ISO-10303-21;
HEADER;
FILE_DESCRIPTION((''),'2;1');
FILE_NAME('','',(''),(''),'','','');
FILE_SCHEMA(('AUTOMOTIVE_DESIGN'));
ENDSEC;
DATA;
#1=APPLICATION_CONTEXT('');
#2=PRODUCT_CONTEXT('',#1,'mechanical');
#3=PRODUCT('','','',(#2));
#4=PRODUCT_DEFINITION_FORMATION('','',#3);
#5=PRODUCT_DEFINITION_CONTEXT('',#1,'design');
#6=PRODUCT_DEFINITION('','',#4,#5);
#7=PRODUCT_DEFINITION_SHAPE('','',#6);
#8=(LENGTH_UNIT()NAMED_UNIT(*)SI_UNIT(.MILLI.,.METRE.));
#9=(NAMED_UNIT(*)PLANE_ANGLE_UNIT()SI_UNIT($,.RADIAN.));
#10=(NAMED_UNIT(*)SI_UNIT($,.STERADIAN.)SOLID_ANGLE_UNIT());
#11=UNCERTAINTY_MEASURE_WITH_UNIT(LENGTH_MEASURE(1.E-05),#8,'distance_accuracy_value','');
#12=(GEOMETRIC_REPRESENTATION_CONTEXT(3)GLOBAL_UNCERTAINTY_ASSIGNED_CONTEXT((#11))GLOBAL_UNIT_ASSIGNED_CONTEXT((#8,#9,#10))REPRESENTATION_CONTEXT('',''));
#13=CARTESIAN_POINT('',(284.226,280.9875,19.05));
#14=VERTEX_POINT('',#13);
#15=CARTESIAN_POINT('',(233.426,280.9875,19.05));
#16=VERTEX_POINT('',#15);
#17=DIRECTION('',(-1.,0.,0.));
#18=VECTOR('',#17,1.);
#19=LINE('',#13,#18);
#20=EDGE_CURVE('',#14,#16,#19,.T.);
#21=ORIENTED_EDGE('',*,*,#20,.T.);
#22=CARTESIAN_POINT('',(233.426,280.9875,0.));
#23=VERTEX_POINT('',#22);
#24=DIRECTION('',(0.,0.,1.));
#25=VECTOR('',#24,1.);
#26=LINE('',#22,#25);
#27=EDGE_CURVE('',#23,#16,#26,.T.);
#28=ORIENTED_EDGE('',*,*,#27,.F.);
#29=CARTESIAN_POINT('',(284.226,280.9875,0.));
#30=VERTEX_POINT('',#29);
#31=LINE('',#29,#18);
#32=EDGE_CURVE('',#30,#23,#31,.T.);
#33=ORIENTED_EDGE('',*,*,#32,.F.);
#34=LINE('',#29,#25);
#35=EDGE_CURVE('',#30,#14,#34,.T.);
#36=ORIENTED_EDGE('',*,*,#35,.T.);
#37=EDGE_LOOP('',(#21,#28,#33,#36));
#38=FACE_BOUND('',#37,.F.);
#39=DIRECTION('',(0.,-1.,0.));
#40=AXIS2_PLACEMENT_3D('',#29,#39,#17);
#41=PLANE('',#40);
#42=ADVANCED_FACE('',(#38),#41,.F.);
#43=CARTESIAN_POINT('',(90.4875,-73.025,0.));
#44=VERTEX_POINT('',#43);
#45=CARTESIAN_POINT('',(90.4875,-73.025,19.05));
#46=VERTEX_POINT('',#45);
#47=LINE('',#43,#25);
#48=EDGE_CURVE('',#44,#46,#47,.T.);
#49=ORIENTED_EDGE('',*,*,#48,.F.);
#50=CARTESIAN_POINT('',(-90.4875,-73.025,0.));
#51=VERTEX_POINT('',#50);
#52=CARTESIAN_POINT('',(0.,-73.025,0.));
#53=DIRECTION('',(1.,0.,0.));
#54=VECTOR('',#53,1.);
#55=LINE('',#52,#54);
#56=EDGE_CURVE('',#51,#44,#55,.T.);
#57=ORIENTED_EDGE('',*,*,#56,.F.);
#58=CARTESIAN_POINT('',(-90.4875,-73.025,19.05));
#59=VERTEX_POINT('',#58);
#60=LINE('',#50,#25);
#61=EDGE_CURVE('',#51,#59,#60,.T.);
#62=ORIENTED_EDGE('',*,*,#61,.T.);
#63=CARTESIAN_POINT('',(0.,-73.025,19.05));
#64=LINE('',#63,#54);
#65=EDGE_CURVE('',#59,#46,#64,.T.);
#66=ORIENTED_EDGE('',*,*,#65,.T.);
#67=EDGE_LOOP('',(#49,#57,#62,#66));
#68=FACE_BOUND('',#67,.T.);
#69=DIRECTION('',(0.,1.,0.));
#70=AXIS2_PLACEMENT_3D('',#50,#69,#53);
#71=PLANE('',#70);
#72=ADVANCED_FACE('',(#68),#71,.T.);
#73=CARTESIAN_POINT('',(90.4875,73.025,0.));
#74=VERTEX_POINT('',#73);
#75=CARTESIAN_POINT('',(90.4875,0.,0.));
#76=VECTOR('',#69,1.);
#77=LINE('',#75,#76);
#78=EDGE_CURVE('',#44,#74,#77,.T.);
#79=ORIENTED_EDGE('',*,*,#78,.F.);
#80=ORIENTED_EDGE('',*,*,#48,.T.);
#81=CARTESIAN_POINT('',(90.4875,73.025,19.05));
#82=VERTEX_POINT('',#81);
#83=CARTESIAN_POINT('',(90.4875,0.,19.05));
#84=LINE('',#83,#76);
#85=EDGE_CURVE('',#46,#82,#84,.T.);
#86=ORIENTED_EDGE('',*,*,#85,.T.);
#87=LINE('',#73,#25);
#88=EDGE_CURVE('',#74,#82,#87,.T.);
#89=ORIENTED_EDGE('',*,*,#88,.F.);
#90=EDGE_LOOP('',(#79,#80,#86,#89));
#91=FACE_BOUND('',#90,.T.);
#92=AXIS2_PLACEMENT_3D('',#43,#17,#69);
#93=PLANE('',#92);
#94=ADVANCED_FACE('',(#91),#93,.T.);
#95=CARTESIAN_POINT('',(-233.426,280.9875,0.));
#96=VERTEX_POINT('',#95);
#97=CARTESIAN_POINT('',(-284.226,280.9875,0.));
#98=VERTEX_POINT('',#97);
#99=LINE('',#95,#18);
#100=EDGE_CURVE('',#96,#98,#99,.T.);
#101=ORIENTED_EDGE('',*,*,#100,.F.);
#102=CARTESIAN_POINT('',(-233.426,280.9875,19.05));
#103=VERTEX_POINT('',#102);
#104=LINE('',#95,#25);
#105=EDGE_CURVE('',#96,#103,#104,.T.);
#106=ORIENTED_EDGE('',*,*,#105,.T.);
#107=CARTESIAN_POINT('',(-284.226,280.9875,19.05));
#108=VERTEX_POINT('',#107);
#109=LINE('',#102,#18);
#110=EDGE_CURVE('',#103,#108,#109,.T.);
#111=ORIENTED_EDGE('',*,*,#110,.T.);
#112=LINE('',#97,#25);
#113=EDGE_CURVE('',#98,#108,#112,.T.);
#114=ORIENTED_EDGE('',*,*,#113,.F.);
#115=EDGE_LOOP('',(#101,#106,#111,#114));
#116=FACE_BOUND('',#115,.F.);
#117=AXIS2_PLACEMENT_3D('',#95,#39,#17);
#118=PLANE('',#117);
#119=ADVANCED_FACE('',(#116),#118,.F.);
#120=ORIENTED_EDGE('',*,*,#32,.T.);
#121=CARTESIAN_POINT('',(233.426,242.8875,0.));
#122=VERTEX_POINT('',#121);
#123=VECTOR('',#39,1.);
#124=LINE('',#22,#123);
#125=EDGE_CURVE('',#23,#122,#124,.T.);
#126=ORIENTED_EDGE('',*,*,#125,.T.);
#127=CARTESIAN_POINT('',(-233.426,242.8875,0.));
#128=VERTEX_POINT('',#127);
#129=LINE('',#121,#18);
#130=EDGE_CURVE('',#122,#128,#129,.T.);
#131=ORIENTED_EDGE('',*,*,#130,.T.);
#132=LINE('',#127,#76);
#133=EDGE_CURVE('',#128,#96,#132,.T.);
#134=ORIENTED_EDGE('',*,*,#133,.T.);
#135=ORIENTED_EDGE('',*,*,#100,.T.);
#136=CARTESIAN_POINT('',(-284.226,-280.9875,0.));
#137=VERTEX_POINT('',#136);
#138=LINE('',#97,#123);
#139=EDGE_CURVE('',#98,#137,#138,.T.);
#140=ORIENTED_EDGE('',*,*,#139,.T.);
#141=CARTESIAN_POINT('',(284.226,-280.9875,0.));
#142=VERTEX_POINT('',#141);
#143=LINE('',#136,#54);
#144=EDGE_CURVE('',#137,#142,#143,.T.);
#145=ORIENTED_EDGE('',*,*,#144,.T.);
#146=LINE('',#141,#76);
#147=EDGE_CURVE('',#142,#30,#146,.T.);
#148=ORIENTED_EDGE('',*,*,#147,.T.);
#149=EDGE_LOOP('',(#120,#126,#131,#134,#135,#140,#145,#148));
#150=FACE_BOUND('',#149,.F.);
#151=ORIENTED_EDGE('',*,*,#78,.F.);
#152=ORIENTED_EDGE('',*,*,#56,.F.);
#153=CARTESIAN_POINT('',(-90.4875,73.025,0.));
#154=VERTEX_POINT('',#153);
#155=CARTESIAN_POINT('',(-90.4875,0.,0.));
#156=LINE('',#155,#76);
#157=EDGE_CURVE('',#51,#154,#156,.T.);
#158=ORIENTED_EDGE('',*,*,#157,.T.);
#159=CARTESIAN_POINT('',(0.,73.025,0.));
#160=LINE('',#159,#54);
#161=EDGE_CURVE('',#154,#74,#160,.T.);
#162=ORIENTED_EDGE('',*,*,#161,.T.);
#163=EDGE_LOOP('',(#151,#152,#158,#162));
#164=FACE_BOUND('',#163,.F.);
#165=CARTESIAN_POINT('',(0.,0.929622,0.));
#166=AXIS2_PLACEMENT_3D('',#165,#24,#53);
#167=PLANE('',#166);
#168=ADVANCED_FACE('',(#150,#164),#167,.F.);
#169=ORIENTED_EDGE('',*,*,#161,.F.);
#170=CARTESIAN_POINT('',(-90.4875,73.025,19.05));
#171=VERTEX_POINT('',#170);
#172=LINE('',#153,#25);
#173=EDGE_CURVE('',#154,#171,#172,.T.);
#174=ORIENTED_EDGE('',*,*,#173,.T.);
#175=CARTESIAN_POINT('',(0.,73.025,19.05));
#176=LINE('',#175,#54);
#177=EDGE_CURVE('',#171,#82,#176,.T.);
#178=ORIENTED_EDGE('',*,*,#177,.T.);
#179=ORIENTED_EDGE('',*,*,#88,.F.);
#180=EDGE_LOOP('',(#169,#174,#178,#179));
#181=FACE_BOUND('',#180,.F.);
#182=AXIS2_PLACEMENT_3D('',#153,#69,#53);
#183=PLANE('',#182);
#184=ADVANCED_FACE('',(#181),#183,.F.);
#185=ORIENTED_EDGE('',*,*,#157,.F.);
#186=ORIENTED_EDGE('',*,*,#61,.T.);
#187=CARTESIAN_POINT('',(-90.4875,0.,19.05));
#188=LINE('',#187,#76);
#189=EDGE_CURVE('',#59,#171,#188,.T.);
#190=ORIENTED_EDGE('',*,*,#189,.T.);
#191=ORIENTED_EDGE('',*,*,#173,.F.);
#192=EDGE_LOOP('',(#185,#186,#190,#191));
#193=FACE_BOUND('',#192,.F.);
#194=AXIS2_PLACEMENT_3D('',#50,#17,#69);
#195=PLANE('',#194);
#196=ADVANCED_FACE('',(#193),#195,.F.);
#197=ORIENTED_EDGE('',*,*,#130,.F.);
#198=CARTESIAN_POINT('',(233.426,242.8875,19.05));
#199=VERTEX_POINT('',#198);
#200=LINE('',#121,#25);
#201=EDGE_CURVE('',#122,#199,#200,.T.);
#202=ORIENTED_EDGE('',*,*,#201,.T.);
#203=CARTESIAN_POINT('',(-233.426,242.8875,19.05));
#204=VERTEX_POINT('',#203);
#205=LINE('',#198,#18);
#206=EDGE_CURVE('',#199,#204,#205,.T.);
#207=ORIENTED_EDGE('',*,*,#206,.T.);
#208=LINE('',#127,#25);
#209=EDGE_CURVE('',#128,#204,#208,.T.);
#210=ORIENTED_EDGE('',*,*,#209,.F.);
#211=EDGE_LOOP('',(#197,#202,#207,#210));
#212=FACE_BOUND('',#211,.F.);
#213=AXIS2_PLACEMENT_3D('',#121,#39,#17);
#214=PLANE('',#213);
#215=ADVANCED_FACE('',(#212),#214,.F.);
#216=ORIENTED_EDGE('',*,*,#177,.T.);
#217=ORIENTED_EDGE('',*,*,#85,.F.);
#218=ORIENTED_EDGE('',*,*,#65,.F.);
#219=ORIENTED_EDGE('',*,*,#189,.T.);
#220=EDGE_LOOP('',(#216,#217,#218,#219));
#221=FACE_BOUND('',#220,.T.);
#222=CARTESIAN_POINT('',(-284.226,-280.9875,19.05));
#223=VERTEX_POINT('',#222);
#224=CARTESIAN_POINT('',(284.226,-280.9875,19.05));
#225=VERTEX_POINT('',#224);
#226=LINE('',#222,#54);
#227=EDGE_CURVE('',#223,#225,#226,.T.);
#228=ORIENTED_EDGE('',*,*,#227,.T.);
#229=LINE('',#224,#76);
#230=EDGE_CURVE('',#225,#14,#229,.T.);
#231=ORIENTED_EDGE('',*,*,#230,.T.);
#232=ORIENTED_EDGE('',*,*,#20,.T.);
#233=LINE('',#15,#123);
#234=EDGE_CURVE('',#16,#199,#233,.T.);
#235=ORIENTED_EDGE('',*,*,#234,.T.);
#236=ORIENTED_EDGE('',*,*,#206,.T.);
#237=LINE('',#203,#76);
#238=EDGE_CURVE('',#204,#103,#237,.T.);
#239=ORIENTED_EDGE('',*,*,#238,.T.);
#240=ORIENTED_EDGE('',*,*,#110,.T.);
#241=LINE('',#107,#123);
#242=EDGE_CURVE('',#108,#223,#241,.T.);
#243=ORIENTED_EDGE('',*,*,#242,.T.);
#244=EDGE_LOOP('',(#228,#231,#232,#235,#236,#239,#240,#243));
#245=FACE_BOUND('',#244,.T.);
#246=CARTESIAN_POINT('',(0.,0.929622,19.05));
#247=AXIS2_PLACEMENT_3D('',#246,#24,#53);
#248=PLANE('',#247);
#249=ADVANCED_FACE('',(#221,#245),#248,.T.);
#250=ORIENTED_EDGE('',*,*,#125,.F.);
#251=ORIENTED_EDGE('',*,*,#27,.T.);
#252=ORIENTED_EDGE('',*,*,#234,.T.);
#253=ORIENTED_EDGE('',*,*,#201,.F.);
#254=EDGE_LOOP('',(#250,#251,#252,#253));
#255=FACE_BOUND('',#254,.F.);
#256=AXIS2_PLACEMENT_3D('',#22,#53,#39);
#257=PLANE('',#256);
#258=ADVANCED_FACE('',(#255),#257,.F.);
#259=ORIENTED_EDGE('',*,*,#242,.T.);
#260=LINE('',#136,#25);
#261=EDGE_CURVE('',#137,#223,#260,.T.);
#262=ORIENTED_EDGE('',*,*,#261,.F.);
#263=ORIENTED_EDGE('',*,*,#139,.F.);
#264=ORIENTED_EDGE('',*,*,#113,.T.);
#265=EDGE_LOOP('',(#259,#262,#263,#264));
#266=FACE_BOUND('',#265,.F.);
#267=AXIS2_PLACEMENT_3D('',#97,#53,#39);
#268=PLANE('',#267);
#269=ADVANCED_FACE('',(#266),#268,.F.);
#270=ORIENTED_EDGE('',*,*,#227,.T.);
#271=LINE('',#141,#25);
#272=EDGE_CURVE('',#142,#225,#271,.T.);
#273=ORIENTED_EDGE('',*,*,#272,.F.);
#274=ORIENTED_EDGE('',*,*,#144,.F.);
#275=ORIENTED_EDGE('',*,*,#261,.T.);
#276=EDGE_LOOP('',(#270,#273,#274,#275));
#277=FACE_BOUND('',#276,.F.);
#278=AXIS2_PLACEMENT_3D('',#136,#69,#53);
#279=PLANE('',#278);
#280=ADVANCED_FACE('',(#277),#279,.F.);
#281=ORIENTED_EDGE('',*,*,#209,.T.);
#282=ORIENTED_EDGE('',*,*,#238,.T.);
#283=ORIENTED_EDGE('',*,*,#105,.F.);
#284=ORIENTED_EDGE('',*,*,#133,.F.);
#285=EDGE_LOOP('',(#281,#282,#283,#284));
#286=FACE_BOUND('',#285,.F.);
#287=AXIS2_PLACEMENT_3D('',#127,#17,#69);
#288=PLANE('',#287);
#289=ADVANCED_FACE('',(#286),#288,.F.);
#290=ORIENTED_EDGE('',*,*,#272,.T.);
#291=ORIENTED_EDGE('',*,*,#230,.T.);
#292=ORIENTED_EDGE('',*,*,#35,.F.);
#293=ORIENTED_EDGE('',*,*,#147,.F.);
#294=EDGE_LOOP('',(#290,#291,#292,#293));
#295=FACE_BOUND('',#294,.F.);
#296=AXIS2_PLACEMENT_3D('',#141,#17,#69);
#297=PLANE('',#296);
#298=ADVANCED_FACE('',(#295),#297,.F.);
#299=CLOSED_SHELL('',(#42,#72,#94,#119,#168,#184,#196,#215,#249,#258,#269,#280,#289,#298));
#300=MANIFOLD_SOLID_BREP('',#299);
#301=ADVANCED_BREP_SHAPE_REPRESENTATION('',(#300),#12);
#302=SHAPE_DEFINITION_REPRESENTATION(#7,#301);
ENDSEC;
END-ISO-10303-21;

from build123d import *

# Parameters (mm, degrees)
F0_W     = 180.975
F0_H     = 146.05
F1_DEPTH = 19.05


with BuildPart() as f1:
    # F0 (on Top) → F1 (new body)
    with BuildSketch(Plane.XY):
        Polygon((284.226, -280.9875), (284.226, 280.9875), (233.426, 280.9875), (233.426, 242.8875), (-233.426, 242.8875), (-233.426, 280.9875), (-284.226, 280.9875), (-284.226, -280.9875), align=None)
        Rectangle(F0_W, F0_H, mode=Mode.SUBTRACT)
    extrude(amount=F1_DEPTH)


solid = f1.part
